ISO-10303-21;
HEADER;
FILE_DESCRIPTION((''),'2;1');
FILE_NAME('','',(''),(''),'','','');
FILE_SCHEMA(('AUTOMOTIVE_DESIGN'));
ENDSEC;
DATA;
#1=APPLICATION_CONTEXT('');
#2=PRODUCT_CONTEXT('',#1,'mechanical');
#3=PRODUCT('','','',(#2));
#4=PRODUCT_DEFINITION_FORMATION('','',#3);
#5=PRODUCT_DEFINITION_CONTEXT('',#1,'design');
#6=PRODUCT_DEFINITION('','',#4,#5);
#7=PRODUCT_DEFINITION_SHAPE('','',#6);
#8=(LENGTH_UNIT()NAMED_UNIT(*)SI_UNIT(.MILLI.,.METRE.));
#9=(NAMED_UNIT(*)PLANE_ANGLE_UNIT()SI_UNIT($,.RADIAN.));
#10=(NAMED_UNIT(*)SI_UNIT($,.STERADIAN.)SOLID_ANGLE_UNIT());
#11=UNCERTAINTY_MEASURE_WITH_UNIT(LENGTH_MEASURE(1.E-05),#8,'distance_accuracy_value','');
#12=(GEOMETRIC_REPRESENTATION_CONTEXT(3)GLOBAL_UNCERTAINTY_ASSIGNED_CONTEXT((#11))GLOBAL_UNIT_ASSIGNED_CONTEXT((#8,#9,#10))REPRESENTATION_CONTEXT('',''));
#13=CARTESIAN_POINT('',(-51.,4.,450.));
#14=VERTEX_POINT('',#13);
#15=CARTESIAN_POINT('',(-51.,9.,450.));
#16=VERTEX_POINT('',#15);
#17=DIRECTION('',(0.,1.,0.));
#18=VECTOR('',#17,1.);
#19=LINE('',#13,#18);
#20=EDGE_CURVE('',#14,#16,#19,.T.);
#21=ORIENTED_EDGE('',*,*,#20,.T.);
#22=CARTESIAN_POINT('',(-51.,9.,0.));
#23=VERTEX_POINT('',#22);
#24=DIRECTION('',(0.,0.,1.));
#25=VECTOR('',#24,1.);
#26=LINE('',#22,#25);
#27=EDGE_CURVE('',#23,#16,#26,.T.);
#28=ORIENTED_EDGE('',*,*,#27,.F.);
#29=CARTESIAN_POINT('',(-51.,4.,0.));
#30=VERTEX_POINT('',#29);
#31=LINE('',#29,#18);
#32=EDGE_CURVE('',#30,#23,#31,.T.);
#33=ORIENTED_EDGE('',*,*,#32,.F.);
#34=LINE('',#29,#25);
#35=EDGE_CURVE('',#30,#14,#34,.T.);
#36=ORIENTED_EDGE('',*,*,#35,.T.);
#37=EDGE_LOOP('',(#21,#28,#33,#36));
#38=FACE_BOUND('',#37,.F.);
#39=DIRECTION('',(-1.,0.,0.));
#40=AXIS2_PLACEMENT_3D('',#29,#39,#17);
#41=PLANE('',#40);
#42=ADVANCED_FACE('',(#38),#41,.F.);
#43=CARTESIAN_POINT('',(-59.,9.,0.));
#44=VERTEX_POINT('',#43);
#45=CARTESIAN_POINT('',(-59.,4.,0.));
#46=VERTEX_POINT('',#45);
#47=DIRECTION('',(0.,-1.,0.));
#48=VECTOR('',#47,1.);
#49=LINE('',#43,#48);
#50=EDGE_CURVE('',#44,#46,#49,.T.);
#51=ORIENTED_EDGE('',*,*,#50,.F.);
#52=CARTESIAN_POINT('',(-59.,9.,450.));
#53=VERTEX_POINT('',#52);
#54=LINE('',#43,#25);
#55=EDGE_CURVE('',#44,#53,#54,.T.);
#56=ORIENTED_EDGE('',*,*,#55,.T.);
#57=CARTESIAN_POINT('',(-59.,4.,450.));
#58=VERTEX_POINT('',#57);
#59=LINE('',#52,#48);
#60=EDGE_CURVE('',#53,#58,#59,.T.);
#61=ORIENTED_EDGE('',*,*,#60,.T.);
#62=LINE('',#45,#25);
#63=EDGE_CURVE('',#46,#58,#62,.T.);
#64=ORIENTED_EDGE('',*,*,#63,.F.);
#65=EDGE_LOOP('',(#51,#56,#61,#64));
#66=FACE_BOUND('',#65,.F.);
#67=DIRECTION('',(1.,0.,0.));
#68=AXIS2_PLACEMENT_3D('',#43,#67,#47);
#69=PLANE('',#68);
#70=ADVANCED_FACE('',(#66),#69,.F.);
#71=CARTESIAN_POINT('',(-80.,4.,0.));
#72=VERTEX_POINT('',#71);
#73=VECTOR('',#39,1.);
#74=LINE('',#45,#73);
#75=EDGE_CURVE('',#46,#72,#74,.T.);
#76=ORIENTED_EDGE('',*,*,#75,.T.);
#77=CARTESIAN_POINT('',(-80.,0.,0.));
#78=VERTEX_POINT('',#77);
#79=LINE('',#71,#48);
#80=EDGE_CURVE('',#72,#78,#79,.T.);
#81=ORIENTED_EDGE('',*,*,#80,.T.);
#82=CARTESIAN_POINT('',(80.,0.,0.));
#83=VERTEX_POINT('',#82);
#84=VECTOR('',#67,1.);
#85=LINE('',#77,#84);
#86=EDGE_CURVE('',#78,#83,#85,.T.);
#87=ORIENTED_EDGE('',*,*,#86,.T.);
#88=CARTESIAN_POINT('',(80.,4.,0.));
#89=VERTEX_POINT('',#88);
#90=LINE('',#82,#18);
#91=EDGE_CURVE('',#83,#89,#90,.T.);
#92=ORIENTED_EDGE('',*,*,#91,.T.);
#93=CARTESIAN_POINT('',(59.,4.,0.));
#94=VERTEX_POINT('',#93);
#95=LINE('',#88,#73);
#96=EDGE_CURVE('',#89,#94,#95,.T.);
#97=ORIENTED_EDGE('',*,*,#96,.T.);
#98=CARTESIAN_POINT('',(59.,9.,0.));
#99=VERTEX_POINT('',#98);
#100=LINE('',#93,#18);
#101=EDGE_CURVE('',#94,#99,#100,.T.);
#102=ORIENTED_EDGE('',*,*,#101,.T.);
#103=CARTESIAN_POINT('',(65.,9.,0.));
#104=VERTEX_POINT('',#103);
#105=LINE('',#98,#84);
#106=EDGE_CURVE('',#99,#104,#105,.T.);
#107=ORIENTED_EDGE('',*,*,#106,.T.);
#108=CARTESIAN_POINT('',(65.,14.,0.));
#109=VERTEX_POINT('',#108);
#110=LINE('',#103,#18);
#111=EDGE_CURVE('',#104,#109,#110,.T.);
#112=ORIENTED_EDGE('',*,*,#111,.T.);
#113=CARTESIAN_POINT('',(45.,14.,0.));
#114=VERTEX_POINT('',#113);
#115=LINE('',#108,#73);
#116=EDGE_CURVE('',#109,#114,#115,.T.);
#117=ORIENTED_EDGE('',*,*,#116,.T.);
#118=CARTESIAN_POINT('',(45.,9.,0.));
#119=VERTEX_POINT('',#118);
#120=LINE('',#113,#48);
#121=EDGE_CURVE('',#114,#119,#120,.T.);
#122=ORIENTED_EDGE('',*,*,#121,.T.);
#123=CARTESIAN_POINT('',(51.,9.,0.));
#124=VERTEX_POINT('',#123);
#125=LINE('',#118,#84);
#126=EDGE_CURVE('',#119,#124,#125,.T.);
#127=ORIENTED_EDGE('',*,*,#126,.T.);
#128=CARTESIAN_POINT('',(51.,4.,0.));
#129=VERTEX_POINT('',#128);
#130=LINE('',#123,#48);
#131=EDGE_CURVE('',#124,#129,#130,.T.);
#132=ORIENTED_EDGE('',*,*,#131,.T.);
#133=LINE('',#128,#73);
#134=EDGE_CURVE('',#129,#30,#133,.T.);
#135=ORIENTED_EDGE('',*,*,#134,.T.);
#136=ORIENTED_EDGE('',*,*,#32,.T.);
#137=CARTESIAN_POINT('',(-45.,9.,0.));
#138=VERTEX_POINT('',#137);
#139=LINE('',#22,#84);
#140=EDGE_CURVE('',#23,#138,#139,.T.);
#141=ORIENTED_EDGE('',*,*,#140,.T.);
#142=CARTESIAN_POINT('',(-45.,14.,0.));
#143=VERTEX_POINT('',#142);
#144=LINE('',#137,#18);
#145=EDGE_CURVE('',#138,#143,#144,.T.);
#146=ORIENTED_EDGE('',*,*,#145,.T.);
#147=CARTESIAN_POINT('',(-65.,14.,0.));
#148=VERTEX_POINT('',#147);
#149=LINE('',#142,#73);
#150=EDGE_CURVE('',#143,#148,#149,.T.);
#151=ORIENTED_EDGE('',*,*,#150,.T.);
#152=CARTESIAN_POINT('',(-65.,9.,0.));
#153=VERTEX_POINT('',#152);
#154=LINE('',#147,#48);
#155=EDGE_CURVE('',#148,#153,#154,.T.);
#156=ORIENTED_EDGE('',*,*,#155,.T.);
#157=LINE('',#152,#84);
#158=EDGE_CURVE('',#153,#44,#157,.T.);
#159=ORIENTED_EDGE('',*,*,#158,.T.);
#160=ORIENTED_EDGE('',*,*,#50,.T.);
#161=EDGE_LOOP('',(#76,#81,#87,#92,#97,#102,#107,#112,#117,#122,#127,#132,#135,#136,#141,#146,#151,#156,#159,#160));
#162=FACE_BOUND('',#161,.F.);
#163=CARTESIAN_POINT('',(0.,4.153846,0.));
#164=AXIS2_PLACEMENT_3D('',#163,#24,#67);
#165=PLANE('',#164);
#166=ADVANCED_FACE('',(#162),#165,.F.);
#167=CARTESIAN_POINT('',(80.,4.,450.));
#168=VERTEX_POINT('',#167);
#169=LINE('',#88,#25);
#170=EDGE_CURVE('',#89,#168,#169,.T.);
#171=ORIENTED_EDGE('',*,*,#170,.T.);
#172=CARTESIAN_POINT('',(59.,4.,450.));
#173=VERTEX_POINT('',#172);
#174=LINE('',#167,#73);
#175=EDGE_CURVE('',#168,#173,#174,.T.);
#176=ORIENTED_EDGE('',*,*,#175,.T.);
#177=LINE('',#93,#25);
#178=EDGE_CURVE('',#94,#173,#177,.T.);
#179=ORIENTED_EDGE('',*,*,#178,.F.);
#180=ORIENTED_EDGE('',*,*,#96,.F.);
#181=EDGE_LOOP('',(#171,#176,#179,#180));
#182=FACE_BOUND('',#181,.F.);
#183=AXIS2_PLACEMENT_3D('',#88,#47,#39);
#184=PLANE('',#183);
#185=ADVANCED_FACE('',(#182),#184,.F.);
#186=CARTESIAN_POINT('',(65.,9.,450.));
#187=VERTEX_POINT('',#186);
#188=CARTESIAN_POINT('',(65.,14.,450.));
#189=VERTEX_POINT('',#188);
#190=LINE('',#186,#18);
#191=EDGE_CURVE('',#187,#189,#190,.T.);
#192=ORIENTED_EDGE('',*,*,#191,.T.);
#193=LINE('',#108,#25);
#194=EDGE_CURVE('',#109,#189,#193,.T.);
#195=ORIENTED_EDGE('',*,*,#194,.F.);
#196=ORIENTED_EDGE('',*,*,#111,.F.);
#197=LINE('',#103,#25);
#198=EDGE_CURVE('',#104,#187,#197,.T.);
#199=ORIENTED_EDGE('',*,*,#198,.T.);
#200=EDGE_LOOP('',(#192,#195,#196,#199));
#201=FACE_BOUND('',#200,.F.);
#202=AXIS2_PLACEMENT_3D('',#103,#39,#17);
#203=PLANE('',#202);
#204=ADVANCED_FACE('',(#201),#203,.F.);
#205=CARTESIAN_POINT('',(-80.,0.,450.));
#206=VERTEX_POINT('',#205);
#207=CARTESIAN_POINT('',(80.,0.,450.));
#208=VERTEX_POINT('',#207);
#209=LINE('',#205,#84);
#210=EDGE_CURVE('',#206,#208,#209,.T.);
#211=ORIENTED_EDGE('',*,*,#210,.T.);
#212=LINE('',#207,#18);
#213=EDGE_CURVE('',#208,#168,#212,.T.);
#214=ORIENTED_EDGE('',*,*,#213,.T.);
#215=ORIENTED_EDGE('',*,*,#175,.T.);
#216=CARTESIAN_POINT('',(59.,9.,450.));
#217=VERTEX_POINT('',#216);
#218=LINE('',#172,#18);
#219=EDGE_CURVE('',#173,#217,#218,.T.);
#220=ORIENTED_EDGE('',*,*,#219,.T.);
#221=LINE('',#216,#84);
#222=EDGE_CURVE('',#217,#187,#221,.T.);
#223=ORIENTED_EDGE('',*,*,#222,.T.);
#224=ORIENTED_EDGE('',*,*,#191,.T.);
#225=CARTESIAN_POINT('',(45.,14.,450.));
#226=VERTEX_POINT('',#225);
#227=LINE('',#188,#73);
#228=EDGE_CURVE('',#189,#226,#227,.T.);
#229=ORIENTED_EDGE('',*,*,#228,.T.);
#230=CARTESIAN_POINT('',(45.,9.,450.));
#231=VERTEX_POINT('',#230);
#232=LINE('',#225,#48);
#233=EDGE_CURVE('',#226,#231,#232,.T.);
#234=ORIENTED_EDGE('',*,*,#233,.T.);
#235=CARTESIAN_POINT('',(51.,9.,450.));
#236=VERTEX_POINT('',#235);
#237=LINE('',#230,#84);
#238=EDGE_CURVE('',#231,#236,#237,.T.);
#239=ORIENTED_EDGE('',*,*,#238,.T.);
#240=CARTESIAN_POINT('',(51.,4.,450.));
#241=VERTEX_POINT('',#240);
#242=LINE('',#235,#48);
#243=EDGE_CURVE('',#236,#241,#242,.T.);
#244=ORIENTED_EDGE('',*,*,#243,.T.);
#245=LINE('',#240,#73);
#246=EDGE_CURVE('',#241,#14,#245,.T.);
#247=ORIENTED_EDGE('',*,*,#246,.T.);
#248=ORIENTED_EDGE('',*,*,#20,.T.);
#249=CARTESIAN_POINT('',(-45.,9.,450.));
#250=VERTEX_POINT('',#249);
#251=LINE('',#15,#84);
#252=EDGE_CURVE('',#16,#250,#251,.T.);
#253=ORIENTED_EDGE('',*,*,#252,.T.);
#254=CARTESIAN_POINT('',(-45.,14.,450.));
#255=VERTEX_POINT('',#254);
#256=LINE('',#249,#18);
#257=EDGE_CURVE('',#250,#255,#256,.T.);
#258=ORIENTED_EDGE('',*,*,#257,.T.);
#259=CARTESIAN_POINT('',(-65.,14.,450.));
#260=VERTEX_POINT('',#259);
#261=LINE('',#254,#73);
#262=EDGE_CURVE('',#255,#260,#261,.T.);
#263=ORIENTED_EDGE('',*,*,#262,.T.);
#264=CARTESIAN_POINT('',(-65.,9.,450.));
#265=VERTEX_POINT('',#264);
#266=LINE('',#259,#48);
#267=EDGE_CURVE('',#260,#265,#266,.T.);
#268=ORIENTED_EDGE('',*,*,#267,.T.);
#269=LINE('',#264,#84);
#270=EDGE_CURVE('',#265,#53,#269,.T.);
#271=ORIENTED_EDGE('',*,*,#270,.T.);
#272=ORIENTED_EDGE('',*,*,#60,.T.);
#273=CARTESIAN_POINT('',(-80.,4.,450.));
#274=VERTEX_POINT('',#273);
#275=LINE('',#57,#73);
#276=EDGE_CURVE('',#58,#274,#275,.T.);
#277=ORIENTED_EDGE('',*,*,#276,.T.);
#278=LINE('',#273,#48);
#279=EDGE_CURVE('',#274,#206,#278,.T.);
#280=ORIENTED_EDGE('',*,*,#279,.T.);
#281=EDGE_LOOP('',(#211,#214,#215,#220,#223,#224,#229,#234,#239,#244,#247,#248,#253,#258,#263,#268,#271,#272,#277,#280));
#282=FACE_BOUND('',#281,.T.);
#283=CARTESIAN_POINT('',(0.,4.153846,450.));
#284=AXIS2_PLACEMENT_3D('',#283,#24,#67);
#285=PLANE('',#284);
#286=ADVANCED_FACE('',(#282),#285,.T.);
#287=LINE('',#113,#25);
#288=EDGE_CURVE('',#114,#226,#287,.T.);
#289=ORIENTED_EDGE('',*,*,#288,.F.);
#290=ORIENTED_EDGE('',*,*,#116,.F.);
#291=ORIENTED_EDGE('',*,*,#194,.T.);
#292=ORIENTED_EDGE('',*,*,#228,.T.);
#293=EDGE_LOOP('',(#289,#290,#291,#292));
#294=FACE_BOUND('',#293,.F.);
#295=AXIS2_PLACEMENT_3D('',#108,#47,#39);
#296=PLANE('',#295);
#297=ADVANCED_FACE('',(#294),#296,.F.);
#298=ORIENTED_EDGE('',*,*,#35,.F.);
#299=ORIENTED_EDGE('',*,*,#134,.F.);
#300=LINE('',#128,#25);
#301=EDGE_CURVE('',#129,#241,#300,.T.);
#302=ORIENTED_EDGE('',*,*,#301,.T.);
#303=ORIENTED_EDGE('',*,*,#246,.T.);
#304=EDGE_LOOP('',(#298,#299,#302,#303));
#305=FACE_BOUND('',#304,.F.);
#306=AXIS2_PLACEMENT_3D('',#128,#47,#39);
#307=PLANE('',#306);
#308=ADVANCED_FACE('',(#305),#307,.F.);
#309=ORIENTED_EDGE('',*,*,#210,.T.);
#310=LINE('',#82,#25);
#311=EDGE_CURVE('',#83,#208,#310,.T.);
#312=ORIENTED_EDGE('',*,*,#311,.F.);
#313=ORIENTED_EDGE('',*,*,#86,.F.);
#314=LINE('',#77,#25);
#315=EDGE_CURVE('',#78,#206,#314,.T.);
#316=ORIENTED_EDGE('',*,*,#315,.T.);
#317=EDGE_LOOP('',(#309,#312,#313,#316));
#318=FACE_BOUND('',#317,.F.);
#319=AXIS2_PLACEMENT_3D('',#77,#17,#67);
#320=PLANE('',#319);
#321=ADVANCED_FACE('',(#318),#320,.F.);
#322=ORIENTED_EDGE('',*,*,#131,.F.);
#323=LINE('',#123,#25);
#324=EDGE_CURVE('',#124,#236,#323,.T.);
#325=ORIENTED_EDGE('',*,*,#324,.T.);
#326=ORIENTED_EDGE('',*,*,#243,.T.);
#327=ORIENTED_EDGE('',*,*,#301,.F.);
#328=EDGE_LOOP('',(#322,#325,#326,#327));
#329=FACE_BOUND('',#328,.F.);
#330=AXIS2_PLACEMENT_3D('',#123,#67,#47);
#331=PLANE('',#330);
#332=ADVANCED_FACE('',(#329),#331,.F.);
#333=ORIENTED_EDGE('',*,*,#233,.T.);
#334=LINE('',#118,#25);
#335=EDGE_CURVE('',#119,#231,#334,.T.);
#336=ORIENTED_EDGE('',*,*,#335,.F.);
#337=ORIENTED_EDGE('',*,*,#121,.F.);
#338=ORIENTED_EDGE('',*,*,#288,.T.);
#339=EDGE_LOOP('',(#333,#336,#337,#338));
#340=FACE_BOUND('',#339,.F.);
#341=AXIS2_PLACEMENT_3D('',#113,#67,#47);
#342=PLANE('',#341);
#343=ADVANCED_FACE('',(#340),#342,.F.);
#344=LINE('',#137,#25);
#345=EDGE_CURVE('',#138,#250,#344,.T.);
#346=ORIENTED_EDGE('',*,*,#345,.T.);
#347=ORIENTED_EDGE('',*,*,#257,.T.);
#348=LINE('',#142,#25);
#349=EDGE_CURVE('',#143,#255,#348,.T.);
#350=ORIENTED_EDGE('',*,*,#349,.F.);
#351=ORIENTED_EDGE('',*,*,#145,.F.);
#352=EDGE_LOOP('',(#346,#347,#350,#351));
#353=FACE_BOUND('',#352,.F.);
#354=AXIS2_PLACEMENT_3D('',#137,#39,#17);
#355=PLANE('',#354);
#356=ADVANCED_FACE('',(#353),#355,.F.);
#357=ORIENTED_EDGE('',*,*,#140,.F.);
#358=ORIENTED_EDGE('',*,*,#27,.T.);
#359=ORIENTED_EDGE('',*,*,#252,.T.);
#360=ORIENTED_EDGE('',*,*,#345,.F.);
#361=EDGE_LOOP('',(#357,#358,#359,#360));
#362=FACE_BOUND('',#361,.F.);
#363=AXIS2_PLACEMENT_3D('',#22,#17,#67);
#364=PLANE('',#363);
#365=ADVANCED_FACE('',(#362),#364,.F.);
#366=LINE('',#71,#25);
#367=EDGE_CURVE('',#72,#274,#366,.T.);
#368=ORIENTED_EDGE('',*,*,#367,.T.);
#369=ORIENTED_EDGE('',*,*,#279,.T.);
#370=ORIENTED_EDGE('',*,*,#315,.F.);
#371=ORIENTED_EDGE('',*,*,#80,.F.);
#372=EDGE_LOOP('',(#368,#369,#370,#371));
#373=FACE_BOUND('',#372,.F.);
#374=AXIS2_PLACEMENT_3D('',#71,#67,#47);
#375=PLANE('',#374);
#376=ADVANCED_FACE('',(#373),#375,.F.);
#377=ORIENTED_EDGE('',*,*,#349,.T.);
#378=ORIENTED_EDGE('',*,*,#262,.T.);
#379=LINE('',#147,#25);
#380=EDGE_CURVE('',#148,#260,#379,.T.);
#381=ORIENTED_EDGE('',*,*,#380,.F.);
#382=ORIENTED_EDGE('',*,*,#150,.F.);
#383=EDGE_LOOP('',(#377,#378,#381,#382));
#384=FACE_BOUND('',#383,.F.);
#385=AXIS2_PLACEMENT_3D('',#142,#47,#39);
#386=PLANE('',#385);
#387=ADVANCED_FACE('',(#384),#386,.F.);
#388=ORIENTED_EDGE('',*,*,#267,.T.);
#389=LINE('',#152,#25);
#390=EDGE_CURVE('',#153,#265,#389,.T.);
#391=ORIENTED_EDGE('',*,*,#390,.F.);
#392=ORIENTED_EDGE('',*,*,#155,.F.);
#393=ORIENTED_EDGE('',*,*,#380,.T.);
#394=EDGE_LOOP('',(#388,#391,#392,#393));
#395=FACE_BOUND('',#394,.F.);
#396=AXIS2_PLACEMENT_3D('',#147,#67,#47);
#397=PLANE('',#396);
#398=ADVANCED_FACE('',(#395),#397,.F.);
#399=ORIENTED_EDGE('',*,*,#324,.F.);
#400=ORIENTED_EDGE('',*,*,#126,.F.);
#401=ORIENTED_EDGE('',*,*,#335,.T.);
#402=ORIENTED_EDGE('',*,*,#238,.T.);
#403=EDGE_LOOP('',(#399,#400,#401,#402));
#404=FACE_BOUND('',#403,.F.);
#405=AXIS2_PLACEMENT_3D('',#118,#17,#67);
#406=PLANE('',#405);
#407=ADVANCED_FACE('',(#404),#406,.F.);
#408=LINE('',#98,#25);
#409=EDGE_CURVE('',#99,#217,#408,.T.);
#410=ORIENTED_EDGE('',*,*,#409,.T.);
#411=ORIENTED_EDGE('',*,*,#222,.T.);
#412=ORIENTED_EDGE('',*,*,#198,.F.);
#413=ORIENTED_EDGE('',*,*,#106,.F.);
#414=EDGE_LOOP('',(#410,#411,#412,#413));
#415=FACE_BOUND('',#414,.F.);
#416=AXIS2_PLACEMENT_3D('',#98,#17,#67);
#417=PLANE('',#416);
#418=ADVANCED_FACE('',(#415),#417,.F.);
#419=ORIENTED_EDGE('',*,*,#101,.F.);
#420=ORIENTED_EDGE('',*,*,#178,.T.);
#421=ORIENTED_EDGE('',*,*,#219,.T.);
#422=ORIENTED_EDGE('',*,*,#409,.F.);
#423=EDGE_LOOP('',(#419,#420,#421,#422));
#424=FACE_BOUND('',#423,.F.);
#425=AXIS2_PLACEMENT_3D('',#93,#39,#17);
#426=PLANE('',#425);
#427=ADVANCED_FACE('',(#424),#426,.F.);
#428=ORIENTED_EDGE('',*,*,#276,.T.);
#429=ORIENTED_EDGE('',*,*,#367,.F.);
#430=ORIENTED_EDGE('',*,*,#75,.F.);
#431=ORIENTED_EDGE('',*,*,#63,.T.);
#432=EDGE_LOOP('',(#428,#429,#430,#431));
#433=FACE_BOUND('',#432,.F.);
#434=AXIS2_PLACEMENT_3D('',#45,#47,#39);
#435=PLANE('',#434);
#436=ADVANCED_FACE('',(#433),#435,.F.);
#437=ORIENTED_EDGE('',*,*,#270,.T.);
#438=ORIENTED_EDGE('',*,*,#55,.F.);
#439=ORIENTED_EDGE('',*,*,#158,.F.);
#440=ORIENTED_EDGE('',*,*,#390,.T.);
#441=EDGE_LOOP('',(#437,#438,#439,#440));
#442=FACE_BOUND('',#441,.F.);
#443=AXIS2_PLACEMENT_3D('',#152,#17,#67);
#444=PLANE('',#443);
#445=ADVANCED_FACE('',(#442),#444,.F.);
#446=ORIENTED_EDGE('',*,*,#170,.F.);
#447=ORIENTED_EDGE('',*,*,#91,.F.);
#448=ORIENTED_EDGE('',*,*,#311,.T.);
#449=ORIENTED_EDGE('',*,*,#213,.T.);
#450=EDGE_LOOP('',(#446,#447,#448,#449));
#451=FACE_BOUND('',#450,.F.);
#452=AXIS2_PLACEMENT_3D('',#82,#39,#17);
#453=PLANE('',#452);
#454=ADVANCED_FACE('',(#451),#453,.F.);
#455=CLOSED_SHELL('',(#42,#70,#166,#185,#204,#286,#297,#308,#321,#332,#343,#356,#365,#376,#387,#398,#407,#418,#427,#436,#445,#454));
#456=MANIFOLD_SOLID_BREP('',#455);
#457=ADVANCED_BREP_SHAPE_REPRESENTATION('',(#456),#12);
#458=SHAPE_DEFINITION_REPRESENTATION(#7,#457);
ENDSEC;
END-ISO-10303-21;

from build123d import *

# Parameters (mm, degrees)
F1_DEPTH = 450


with BuildPart() as f1:
    # F0 (on Top) → F1 (new body)
    with BuildSketch(Plane.XY):
        Polygon((0, 0), (80, 0), (80, 4), (59, 4), (59, 9), (65, 9), (65, 14), (45, 14), (45, 9), (51, 9), (51, 4), (-51, 4), (-51, 9), (-45, 9), (-45, 14), (-65, 14), (-65, 9), (-59, 9), (-59, 4), (-80, 4), (-80, 0), align=None)
    extrude(amount=F1_DEPTH)


solid = f1.part
